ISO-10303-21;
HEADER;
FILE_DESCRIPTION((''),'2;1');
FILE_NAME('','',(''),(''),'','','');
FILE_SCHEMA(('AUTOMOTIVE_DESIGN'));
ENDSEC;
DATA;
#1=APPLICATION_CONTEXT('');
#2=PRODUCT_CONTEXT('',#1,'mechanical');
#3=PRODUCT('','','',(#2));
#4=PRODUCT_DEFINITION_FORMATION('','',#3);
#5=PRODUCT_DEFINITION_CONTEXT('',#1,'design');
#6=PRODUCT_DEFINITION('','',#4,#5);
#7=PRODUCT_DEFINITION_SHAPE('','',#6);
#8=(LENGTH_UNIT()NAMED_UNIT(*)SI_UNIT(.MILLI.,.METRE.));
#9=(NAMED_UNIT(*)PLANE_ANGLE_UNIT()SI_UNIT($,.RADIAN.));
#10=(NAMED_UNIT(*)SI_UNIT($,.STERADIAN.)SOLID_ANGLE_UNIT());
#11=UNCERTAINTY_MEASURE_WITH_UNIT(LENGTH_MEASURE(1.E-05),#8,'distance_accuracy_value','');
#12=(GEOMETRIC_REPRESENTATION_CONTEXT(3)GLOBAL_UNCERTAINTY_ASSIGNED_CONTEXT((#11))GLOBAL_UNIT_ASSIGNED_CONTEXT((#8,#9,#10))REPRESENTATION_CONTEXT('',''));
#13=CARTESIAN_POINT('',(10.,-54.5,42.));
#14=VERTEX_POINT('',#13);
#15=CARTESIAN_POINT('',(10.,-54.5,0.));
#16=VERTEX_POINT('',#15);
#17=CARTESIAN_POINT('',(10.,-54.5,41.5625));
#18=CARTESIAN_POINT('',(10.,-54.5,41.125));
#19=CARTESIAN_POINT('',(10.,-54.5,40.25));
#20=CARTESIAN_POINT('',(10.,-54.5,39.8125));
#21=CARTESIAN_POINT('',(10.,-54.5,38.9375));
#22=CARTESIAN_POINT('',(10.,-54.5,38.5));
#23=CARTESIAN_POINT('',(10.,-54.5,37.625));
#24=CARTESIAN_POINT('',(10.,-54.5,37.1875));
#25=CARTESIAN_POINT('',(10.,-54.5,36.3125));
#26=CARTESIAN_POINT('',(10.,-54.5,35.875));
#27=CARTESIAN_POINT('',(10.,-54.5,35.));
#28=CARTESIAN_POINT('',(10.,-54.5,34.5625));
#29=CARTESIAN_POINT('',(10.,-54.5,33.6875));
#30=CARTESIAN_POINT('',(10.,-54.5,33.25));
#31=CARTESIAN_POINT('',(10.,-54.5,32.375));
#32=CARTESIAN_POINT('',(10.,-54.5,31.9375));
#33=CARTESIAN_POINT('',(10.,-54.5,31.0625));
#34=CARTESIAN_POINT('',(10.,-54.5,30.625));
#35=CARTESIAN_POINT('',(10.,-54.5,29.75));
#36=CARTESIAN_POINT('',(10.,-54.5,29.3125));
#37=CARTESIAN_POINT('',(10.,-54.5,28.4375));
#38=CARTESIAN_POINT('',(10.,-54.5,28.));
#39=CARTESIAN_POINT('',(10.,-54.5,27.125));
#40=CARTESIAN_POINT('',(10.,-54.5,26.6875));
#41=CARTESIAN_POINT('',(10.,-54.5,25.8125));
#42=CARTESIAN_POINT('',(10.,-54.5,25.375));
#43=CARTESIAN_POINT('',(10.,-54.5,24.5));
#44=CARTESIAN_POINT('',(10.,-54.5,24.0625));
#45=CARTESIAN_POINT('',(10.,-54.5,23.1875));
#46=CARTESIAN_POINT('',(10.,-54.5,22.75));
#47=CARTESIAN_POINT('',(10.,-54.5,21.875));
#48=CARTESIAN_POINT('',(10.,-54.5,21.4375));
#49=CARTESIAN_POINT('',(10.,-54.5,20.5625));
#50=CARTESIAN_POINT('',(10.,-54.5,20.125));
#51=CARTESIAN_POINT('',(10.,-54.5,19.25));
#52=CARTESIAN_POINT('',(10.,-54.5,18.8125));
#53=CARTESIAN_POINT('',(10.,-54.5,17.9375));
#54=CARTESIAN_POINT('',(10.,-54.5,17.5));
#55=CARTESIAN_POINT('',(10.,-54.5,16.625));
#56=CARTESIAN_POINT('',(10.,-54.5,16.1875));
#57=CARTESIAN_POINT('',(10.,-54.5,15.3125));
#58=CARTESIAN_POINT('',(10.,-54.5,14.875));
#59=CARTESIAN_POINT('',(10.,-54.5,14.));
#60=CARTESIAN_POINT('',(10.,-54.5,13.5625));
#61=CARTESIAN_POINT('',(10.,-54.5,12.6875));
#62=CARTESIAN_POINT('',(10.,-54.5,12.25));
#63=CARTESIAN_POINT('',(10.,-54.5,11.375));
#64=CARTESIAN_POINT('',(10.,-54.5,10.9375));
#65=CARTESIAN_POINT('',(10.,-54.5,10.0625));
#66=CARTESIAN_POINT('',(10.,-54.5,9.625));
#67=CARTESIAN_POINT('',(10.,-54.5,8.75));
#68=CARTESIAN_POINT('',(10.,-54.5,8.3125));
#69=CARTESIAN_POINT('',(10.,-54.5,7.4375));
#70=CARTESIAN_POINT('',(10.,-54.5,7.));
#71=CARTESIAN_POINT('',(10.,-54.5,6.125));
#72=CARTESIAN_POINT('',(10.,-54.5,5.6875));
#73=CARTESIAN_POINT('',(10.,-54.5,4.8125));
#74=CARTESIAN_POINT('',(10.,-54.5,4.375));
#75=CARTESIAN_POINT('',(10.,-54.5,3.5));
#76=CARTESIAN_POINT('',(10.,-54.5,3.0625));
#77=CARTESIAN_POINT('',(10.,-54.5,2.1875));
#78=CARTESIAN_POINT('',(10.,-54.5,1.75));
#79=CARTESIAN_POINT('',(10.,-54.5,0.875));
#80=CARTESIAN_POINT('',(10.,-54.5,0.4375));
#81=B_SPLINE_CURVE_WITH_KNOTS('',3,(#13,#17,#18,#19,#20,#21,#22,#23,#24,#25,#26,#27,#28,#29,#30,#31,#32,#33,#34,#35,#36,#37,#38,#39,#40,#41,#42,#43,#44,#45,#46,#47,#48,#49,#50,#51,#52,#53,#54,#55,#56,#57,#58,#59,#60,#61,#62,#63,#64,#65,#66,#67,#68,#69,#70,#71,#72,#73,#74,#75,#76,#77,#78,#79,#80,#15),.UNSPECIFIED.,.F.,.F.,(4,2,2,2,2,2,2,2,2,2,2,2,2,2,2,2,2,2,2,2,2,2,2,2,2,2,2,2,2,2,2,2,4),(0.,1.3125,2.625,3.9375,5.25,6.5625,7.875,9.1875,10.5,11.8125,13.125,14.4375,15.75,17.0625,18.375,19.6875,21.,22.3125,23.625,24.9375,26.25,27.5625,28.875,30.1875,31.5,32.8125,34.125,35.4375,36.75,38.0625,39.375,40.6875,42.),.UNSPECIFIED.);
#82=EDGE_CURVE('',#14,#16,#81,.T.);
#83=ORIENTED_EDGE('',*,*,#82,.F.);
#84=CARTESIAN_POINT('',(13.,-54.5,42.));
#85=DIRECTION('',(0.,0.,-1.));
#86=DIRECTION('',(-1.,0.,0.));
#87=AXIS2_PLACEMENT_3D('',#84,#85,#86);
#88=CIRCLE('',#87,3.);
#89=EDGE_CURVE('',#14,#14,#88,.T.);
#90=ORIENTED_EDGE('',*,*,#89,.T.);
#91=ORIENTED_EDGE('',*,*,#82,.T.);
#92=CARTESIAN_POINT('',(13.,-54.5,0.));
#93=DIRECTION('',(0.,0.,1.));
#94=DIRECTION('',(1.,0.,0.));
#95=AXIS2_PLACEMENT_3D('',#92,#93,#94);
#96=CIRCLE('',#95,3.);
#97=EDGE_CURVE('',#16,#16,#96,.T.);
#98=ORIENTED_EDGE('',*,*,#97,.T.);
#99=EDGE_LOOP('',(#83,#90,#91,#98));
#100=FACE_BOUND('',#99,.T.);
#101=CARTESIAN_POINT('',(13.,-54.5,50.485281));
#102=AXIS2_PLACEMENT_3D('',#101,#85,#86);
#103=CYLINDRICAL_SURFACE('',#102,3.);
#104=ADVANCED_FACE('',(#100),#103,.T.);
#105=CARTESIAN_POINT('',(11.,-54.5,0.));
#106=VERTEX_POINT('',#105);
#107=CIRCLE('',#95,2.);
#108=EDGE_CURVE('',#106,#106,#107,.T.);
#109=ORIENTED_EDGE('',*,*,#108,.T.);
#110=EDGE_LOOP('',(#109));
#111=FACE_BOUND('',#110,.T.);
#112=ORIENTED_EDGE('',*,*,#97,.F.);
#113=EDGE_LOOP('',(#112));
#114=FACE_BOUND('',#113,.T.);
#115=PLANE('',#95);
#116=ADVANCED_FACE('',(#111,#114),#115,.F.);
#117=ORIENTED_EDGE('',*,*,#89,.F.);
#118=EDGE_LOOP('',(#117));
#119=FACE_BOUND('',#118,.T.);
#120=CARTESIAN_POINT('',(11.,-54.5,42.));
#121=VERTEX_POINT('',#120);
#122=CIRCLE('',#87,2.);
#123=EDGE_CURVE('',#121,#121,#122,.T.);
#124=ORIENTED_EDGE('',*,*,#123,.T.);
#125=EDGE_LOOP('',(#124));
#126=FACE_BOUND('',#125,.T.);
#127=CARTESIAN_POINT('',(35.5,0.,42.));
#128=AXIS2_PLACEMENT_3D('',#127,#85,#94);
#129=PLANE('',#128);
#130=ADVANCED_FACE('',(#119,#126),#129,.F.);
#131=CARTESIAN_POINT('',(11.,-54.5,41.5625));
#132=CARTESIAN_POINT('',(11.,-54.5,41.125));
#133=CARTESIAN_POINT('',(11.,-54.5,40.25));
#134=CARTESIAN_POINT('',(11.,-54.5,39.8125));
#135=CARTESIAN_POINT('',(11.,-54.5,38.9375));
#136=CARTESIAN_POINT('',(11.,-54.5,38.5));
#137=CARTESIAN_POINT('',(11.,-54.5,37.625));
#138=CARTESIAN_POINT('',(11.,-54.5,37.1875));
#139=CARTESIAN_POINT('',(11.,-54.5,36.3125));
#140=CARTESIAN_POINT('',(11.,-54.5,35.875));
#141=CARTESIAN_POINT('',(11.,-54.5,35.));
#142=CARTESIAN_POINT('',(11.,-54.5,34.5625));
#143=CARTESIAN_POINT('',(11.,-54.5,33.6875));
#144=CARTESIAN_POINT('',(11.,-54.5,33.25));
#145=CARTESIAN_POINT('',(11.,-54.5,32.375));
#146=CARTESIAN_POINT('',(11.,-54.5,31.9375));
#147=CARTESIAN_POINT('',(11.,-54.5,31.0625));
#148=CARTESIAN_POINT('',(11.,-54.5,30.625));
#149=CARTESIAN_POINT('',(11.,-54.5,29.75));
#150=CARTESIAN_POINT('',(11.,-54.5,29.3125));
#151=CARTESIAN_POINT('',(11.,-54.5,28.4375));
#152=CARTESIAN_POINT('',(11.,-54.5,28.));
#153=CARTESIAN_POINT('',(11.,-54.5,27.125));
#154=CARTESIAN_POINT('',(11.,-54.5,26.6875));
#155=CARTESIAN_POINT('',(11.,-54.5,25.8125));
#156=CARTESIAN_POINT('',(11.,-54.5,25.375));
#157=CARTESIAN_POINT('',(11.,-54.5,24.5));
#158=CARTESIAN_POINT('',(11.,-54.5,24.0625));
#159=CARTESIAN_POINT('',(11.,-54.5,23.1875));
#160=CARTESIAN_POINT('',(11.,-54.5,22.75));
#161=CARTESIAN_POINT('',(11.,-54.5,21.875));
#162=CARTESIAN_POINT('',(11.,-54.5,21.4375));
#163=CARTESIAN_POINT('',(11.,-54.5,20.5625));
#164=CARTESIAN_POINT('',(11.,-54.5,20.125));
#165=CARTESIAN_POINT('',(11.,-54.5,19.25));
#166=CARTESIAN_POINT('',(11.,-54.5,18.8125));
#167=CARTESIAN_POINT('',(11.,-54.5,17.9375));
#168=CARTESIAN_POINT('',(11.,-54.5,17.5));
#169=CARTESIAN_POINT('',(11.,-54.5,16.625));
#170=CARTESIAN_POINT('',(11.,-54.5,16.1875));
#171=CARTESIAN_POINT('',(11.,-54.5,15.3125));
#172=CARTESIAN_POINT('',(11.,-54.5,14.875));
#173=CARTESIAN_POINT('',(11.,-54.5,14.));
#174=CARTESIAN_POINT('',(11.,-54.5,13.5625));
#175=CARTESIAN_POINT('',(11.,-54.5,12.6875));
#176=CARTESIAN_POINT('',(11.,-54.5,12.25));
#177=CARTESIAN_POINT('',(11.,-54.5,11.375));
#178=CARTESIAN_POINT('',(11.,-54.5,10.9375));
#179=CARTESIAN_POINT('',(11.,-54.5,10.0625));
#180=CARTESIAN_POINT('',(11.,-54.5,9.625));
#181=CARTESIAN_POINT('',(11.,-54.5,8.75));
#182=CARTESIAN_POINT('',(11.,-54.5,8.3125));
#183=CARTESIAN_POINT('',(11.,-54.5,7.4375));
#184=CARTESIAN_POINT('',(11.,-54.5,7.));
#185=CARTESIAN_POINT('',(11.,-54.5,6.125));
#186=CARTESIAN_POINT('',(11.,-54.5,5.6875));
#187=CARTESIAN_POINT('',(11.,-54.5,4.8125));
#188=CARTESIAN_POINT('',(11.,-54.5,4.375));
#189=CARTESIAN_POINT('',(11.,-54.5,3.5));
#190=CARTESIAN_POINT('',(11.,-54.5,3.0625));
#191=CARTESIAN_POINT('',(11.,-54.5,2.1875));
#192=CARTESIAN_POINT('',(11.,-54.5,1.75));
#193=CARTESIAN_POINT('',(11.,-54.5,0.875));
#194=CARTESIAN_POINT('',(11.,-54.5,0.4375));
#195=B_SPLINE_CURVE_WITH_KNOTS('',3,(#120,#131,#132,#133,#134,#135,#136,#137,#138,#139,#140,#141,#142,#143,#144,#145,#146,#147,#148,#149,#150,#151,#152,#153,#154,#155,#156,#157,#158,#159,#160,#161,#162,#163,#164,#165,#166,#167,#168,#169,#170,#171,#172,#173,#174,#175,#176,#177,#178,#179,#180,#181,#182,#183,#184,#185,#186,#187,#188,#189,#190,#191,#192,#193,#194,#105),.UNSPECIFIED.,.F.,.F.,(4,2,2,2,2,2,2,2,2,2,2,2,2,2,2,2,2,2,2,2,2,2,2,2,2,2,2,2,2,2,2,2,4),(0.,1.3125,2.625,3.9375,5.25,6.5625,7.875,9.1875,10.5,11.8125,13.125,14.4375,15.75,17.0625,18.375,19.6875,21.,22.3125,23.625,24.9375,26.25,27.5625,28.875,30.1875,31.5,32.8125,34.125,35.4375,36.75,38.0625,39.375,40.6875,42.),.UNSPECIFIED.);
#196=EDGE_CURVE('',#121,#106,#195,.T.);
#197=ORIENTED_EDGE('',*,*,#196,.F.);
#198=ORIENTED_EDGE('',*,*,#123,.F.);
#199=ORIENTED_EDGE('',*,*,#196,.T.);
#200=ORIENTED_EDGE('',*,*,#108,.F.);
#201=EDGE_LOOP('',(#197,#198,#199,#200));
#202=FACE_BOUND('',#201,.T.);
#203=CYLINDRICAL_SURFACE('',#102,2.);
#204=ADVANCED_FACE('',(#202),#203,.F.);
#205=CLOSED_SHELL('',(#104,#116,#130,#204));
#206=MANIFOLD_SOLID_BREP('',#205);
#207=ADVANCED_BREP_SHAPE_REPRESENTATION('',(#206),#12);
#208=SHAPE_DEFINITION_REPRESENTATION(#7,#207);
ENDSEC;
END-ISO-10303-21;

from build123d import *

# Parameters (mm, degrees)
SCHIZZO2_R                   = 3
SCHIZZO2_R_2                 = 2
ESTRUSIONE_ESTRUSIONE1_DEPTH = 42


with BuildPart() as part:
    # Schizzo2 → Estrusione-Estrusione1 (new body)
    with BuildSketch(Plane.XY):
        with Locations(Location((13, -54.5, 0), (0, 0, 180))):
            Circle(SCHIZZO2_R)
        with Locations(Location((13, -54.5, 0), (0, 0, 180))):
            Circle(SCHIZZO2_R_2, mode=Mode.SUBTRACT)
    extrude(amount=ESTRUSIONE_ESTRUSIONE1_DEPTH)


solid = part.part
